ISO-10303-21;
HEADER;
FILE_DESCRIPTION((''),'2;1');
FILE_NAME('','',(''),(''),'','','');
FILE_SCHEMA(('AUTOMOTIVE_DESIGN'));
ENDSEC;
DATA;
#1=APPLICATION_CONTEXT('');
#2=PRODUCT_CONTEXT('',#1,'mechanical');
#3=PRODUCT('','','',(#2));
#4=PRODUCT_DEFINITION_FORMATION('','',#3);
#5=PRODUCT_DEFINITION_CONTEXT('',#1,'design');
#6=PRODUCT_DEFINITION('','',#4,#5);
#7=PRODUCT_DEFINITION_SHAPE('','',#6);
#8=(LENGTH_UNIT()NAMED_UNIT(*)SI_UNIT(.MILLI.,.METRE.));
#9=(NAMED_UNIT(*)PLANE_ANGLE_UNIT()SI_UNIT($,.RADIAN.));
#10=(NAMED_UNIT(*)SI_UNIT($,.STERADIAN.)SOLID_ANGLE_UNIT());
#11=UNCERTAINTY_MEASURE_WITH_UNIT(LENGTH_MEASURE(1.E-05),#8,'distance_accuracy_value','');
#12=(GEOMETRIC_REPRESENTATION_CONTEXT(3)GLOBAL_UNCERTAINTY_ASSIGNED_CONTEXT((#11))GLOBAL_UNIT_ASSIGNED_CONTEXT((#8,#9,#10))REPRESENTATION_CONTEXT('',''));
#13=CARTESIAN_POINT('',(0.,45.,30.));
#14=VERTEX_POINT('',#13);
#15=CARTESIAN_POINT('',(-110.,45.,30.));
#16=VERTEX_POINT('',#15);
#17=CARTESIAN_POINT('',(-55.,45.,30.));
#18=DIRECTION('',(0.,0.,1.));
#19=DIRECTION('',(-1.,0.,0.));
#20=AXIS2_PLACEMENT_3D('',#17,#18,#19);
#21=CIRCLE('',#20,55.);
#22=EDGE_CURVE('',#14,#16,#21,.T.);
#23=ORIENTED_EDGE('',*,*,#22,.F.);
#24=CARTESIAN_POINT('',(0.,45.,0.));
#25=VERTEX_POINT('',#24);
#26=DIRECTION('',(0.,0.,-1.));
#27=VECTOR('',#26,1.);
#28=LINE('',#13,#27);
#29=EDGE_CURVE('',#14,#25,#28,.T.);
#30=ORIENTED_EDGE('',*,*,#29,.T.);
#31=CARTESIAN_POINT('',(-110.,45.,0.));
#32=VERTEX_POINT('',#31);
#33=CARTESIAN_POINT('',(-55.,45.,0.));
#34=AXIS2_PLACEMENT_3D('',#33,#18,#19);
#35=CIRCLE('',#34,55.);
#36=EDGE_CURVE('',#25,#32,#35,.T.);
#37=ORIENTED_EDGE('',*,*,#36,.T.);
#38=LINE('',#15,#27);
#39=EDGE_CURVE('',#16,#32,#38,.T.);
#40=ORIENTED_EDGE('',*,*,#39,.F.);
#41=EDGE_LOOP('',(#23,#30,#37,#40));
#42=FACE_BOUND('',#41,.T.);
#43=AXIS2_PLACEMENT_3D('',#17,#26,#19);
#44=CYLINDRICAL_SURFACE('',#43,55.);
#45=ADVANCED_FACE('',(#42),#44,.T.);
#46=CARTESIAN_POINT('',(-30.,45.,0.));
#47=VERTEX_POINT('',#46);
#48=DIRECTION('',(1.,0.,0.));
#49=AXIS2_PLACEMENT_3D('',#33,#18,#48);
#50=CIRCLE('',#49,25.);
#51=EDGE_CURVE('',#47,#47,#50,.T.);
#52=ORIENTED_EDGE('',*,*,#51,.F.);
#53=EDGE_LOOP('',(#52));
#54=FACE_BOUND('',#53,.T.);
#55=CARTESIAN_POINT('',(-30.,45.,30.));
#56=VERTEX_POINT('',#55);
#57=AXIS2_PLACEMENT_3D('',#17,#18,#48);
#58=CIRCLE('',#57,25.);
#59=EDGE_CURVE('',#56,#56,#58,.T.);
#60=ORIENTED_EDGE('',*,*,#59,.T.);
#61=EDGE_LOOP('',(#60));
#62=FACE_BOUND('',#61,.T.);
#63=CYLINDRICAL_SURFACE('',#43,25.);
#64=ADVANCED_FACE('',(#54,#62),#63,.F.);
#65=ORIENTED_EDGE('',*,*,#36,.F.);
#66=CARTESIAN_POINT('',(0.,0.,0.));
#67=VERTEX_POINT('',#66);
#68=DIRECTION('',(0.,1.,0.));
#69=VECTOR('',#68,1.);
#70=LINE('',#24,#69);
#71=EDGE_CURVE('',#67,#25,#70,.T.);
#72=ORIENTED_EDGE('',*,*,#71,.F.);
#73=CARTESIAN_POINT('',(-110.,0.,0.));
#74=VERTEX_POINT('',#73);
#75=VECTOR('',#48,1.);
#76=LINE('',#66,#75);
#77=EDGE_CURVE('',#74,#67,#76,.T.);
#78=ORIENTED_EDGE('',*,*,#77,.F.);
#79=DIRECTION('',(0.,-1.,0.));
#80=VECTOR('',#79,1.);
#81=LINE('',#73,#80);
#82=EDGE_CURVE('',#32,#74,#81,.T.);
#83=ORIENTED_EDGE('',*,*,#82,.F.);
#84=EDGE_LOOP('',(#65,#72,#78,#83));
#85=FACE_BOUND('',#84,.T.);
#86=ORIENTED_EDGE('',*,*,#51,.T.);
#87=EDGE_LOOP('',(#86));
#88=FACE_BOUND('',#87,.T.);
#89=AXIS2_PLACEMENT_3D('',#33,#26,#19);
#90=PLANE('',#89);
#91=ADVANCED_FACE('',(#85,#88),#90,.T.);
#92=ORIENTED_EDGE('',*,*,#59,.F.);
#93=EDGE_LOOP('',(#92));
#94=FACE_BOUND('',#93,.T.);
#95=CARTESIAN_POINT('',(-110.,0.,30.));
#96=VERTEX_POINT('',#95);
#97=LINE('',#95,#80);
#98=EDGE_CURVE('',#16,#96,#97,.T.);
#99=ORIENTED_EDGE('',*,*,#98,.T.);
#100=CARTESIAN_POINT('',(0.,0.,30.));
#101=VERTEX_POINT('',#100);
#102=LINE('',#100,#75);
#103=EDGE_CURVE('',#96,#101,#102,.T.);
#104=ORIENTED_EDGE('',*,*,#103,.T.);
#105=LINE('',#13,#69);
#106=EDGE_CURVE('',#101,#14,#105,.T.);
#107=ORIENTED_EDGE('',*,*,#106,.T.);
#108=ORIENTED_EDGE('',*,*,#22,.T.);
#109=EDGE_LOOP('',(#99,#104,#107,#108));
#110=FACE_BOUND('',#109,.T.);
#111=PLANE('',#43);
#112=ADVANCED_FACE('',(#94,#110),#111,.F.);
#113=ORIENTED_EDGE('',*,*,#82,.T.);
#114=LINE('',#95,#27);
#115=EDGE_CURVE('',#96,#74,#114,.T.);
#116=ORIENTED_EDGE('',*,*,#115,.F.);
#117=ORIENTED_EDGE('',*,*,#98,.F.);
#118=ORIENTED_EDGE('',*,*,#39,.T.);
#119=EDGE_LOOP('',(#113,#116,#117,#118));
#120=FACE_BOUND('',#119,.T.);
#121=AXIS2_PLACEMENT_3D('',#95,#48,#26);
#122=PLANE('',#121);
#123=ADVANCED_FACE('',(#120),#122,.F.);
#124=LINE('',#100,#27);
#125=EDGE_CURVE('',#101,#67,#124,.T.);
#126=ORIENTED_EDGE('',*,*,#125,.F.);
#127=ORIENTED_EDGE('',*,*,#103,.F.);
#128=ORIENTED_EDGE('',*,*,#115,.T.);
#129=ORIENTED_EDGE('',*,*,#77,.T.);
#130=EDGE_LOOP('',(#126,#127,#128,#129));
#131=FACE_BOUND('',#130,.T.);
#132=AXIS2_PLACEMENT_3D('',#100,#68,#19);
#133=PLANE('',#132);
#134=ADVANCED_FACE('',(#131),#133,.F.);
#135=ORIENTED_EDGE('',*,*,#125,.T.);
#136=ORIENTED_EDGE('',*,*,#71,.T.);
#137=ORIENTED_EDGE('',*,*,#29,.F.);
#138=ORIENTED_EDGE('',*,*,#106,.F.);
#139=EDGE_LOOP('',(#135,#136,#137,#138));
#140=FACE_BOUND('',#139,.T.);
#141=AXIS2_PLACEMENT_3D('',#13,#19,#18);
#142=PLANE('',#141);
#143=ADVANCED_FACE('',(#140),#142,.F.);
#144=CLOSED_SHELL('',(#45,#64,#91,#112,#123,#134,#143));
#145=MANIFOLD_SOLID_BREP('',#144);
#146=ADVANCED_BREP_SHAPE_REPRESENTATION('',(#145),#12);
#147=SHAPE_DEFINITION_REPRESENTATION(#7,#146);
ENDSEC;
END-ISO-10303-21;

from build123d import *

# Parameters (mm, degrees)
SKETCH1_R           = 25
BOSS_EXTRUDE1_DEPTH = 30


with BuildPart() as part:
    # Sketch1 → Boss-Extrude1 (new body)
    with BuildSketch(Plane.XY):
        with BuildLine():
            Line((0, 0), (-110, 0))
            Line((-110, 0), (-110, 45))
            ThreePointArc((-110, 45), (-55, 100), (0, 45))
            Line((0, 45), (0, 0))
        make_face()
        with Locations((-55, 45)):
            Circle(SKETCH1_R, mode=Mode.SUBTRACT)
    extrude(amount=BOSS_EXTRUDE1_DEPTH)


solid = part.part
